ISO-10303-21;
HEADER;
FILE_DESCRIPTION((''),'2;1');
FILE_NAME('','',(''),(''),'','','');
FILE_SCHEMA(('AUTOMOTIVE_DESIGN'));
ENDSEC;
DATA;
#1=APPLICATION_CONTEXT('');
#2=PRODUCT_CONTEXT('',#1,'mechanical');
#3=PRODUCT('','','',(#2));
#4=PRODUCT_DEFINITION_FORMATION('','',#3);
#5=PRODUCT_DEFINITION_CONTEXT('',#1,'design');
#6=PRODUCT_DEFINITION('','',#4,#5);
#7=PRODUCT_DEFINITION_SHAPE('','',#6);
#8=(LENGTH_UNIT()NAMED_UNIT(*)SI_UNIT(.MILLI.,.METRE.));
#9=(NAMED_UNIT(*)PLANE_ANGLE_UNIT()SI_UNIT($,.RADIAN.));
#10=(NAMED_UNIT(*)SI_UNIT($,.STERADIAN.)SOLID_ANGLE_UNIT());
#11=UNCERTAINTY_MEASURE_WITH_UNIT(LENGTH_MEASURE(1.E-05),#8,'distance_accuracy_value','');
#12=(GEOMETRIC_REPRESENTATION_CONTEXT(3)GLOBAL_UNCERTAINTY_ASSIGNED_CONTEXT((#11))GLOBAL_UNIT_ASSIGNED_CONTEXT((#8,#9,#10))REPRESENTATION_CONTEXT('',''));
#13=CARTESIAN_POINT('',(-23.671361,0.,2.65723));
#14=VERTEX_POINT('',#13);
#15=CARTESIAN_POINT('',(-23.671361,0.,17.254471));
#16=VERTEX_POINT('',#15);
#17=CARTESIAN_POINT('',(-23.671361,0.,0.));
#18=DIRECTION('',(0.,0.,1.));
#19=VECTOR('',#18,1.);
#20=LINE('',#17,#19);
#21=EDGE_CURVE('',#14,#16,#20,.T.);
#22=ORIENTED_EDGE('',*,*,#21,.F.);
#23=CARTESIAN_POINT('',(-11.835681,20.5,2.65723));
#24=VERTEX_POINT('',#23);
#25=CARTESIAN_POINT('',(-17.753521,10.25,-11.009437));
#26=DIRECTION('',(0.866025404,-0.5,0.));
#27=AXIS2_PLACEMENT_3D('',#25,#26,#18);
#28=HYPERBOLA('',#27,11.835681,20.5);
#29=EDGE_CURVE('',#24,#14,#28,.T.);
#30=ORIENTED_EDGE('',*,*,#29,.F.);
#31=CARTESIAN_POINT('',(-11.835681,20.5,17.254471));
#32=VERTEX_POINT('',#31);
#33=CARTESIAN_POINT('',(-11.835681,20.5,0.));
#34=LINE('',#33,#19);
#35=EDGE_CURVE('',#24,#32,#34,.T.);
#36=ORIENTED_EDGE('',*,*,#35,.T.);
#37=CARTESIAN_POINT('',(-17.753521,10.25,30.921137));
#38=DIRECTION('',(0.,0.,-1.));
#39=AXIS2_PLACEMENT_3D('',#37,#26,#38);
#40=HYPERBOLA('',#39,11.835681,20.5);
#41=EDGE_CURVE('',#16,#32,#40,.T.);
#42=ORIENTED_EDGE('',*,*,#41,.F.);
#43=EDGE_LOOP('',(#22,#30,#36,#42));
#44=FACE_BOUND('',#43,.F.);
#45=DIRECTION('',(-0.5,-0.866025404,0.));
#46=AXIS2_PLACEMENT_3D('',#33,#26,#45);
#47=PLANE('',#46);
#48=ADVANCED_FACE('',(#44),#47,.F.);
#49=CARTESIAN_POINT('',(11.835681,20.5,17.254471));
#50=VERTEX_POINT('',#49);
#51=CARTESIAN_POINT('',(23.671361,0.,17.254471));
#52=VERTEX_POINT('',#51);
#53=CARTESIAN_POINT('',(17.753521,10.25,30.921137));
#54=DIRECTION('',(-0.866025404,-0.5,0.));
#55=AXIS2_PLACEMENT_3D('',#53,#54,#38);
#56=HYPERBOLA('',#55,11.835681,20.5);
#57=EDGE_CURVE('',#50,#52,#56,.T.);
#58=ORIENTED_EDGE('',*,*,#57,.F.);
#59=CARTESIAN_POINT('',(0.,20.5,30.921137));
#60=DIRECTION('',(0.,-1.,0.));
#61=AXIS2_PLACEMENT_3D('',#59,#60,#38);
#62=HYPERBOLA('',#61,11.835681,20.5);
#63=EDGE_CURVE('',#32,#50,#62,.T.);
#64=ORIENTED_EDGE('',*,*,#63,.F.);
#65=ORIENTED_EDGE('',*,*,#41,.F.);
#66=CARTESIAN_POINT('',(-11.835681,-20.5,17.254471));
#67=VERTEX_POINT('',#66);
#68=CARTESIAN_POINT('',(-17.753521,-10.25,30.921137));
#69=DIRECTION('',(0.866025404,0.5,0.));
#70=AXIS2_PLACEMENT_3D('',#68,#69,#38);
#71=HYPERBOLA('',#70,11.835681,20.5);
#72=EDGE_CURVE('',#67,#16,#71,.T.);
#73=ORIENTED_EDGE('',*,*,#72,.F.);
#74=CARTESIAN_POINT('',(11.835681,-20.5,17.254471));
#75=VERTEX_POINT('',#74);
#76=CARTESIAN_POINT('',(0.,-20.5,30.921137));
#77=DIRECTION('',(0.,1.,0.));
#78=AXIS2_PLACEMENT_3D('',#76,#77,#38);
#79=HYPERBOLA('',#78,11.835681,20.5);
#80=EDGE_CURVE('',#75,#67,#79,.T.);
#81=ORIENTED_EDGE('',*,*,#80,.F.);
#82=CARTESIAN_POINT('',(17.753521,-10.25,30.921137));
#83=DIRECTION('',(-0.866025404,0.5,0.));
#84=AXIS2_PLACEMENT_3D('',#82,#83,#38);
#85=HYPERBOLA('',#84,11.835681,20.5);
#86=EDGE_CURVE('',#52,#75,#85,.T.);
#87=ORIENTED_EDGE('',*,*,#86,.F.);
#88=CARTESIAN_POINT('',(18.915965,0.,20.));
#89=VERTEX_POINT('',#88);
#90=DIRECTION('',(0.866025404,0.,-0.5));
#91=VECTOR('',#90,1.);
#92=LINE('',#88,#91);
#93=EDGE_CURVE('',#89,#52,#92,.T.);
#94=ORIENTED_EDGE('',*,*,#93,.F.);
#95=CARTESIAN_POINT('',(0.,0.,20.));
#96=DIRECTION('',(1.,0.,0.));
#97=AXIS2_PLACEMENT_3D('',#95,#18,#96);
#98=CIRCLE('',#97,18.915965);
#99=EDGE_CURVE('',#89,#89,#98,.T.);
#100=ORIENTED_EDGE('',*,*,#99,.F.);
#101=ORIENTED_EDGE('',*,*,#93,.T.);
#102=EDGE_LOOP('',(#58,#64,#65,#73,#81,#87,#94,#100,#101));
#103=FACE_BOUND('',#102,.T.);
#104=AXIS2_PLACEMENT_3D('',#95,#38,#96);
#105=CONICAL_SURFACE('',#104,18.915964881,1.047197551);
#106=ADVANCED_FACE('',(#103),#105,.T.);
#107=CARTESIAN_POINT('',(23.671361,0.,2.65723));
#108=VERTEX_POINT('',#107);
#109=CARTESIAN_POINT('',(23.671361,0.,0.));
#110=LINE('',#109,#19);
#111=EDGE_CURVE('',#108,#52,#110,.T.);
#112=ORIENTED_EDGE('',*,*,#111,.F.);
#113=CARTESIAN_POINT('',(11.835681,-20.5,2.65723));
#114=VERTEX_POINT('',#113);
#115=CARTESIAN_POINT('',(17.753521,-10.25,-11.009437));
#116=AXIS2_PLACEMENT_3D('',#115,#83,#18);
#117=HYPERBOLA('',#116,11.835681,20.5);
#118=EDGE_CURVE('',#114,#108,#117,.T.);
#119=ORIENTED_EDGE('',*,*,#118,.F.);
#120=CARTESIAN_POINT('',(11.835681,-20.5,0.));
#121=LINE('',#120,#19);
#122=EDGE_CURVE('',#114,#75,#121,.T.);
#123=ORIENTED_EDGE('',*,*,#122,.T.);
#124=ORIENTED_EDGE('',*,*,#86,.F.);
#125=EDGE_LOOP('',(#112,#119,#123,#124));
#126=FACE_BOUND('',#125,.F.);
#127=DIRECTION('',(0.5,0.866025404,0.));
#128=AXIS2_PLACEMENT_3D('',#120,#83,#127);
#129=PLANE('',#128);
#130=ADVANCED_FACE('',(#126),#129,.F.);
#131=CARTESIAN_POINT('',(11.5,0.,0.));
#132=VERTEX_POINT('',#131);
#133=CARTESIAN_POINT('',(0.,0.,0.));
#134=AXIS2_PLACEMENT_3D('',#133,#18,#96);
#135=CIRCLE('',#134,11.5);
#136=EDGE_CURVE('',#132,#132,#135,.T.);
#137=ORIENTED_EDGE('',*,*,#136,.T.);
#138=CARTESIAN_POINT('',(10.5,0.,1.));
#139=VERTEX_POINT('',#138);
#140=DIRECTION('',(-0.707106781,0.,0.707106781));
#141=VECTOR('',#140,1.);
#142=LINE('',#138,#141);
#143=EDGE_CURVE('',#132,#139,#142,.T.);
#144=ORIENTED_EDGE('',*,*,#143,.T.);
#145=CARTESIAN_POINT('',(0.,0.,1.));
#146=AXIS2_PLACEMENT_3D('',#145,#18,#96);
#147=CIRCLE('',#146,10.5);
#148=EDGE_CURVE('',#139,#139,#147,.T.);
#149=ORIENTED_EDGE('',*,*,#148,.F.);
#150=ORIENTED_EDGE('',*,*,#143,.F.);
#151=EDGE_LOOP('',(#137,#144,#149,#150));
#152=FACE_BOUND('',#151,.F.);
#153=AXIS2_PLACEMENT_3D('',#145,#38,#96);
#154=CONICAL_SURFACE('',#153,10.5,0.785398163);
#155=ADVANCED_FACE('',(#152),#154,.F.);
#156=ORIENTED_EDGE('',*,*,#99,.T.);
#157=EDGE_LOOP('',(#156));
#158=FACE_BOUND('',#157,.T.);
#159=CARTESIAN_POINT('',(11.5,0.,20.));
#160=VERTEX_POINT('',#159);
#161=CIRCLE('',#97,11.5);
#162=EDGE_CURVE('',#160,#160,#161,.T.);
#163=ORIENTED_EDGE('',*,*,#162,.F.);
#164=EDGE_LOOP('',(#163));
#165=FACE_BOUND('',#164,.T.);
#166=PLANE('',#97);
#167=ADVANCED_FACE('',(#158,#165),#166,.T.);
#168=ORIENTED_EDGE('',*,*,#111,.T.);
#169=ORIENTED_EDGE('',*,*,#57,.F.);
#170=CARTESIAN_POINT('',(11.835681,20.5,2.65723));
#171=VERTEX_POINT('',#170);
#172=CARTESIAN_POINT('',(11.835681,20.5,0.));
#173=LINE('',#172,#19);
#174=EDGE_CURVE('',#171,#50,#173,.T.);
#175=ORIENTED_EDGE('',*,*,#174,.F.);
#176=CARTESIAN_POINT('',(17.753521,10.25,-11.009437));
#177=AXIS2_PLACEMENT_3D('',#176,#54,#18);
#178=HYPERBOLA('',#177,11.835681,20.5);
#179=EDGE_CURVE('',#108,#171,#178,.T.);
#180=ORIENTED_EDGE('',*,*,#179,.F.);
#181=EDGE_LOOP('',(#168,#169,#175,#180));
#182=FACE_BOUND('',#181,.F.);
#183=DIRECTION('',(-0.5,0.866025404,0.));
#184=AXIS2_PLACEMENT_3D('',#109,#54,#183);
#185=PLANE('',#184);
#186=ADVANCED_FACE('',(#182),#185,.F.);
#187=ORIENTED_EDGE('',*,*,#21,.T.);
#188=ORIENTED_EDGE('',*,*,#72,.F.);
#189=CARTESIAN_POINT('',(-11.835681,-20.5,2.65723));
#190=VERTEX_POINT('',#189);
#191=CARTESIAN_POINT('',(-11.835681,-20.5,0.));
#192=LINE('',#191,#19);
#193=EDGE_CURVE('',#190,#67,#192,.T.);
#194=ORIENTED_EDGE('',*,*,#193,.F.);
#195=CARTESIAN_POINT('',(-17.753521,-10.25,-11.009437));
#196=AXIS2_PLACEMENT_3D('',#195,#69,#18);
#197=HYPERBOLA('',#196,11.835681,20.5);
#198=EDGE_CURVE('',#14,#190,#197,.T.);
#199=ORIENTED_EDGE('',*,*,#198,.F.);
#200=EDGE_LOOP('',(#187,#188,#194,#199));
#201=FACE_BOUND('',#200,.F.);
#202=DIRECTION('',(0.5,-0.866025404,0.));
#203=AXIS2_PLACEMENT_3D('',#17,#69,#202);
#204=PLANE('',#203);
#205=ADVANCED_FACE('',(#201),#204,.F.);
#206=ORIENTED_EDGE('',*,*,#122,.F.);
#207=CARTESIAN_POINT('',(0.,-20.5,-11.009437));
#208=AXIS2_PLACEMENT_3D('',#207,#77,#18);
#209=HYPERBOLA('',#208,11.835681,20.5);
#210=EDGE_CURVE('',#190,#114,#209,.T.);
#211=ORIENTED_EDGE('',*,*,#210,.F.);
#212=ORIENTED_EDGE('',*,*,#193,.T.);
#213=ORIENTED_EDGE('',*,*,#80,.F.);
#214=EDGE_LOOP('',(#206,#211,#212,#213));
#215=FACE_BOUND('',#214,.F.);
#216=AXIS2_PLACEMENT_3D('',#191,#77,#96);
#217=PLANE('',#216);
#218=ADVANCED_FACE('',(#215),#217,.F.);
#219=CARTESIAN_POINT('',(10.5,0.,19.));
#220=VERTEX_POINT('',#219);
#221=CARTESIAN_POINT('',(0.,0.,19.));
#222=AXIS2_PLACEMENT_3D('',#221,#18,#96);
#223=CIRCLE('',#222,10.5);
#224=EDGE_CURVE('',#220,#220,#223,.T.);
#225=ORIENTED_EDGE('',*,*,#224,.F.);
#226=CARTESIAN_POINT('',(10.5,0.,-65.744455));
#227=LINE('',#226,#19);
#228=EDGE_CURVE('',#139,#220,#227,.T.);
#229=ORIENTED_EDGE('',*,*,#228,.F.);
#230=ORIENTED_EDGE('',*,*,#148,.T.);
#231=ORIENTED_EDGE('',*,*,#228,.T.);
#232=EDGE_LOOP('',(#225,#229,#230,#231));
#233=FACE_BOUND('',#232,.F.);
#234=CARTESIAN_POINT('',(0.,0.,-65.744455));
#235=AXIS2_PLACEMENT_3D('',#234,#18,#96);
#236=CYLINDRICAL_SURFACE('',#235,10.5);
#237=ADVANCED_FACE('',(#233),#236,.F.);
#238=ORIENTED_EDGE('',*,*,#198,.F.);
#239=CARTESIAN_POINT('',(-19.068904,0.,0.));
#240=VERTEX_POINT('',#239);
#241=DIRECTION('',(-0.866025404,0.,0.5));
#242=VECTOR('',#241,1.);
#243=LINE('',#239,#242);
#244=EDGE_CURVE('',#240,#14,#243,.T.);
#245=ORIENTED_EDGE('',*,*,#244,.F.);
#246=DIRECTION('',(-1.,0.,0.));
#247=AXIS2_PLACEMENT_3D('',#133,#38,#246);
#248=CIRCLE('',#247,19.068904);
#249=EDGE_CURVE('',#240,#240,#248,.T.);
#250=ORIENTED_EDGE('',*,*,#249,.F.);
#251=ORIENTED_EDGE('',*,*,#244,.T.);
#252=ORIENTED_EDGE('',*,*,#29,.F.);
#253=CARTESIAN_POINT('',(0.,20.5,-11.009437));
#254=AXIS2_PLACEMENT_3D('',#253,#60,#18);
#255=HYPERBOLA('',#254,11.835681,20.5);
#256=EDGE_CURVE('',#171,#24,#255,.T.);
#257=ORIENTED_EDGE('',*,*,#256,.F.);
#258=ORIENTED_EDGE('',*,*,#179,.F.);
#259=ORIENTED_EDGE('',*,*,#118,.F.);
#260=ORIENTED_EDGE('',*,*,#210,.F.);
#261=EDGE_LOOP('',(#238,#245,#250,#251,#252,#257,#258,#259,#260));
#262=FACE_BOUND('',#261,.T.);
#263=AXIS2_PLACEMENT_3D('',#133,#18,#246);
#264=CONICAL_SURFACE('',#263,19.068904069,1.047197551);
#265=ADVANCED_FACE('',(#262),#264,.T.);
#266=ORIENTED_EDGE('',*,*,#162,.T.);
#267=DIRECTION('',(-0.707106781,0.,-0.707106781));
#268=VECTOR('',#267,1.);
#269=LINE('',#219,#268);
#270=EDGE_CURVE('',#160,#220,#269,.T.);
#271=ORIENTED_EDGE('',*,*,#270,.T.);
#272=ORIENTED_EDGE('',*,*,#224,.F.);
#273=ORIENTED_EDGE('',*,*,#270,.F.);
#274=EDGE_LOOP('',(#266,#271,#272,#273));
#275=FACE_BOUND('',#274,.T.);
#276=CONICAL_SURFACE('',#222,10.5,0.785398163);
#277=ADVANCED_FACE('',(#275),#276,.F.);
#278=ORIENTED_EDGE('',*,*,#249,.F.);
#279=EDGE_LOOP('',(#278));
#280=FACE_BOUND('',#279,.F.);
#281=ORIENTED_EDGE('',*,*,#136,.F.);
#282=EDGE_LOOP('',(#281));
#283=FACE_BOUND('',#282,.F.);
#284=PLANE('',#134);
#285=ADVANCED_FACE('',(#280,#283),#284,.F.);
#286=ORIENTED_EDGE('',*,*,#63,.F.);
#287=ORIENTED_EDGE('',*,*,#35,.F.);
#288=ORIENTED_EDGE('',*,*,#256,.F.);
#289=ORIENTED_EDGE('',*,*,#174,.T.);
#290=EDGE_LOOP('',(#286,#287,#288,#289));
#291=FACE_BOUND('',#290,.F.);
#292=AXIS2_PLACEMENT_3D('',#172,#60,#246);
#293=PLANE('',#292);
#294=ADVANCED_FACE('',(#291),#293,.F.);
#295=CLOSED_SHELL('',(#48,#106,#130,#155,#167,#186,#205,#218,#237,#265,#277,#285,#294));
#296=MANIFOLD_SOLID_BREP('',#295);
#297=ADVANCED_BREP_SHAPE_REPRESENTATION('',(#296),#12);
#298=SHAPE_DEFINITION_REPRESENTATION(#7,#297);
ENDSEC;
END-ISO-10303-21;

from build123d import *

# Parameters (mm, degrees)
BASE_EXTRUDE_DEPTH         = 20
SZKIC1_OUTSIDE_W           = 72.884
SZKIC1_OUTSIDE_H           = 66.542
SZKIC1_OUTSIDE_R           = 18.915964881
WYTNIJ_WYCI_GNI_CIE1_DEPTH = 3
WYTNIJ_WYCI_GNI_CIE1_DRAFT = -60
SZKIC2_OUTSIDE_W           = 72.884
SZKIC2_OUTSIDE_H           = 66.542
SZKIC2_OUTSIDE_R           = 19.068904069
WYTNIJ_WYCI_GNI_CIE2_DEPTH = 3
WYTNIJ_WYCI_GNI_CIE2_DRAFT = -60
OTW_R_GWINTOWANY_M241_D    = 21
SFAZOWANIE1_SIZE           = 1


with BuildPart() as part:
    # Sketch1 → Base-Extrude (new body)
    with BuildSketch(Plane.XY):
        Polygon((23.671361037, 0), (11.835680518, 20.5), (-11.835680518, 20.5), (-23.671361037, 0), (-11.835680518, -20.5), (11.835680518, -20.5), align=None)
    extrude(amount=BASE_EXTRUDE_DEPTH)


with BuildPart() as wytnij_wyci_gni_cie1_tool:
    # Szkic1 outside → Wytnij-wyciągnięcie1 (with draft: the straight prism first)
    with BuildSketch(Plane.XY.offset(20)):
        Rectangle(SZKIC1_OUTSIDE_W, SZKIC1_OUTSIDE_H)
        Circle(SZKIC1_OUTSIDE_R, mode=Mode.SUBTRACT)
    extrude(amount=-WYTNIJ_WYCI_GNI_CIE1_DEPTH)
    # Wytnij-wyciągnięcie1: the draft: its side faces are tilted about the plane it starts from
    wytnij_wyci_gni_cie1_sides = [wytnij_wyci_gni_cie1_tool.faces().sort_by_distance(p)[0] for p in [
        (0, -33.271, 18.5),
        (36.442, 0, 18.5),
        (0, 33.271, 18.5),
        (-36.442, 0, 18.5),
        (-18.915964881, 0, 18.5),
    ]]
    draft(wytnij_wyci_gni_cie1_sides, Plane.XY.offset(20), WYTNIJ_WYCI_GNI_CIE1_DRAFT)


with BuildPart() as part_1:
    add(part.part)

    # Wytnij-wyciągnięcie1: cut by wytnij_wyci_gni_cie1_tool
    add(wytnij_wyci_gni_cie1_tool.part, mode=Mode.SUBTRACT)


with BuildPart() as wytnij_wyci_gni_cie2_tool:
    # Szkic2 outside → Wytnij-wyciągnięcie2 (with draft: the straight prism first)
    with BuildSketch(Plane(origin=(0, 0, 0), x_dir=(-1, 0, 0), z_dir=(0, 0, -1))):
        Rectangle(SZKIC2_OUTSIDE_W, SZKIC2_OUTSIDE_H)
        Circle(SZKIC2_OUTSIDE_R, mode=Mode.SUBTRACT)
    extrude(amount=-WYTNIJ_WYCI_GNI_CIE2_DEPTH)
    # Wytnij-wyciągnięcie2: the draft: its side faces are tilted about the plane it starts from
    wytnij_wyci_gni_cie2_sides = [wytnij_wyci_gni_cie2_tool.faces().sort_by_distance(p)[0] for p in [
        (0, -33.271, 1.5),
        (-36.442, 0, 1.5),
        (0, 33.271, 1.5),
        (36.442, 0, 1.5),
        (19.068904069, 0, 1.5),
    ]]
    draft(wytnij_wyci_gni_cie2_sides, Plane(origin=(0, 0, 0), x_dir=(-1, 0, 0), z_dir=(0, 0, -1)), WYTNIJ_WYCI_GNI_CIE2_DRAFT)


with BuildPart() as part_2:
    add(part_1.part)

    # Wytnij-wyciągnięcie2: cut by wytnij_wyci_gni_cie2_tool
    add(wytnij_wyci_gni_cie2_tool.part, mode=Mode.SUBTRACT)

    # Otwór gwintowany M241 (through all)
    with Locations(Plane(origin=(0, 0, 0), x_dir=(-1, 0, 0), z_dir=(0, 0, -1))):
        with Locations((0, 0)):
            Hole(OTW_R_GWINTOWANY_M241_D / 2)

    # Sfazowanie1
    sfazowanie1_edges = [part_2.edges().sort_by_distance(p)[0] for p in [
        (-10.5, 0, 0),
        (-10.5, 0, 20),
    ]]
    chamfer(sfazowanie1_edges, length=SFAZOWANIE1_SIZE)


solid = part_2.part
